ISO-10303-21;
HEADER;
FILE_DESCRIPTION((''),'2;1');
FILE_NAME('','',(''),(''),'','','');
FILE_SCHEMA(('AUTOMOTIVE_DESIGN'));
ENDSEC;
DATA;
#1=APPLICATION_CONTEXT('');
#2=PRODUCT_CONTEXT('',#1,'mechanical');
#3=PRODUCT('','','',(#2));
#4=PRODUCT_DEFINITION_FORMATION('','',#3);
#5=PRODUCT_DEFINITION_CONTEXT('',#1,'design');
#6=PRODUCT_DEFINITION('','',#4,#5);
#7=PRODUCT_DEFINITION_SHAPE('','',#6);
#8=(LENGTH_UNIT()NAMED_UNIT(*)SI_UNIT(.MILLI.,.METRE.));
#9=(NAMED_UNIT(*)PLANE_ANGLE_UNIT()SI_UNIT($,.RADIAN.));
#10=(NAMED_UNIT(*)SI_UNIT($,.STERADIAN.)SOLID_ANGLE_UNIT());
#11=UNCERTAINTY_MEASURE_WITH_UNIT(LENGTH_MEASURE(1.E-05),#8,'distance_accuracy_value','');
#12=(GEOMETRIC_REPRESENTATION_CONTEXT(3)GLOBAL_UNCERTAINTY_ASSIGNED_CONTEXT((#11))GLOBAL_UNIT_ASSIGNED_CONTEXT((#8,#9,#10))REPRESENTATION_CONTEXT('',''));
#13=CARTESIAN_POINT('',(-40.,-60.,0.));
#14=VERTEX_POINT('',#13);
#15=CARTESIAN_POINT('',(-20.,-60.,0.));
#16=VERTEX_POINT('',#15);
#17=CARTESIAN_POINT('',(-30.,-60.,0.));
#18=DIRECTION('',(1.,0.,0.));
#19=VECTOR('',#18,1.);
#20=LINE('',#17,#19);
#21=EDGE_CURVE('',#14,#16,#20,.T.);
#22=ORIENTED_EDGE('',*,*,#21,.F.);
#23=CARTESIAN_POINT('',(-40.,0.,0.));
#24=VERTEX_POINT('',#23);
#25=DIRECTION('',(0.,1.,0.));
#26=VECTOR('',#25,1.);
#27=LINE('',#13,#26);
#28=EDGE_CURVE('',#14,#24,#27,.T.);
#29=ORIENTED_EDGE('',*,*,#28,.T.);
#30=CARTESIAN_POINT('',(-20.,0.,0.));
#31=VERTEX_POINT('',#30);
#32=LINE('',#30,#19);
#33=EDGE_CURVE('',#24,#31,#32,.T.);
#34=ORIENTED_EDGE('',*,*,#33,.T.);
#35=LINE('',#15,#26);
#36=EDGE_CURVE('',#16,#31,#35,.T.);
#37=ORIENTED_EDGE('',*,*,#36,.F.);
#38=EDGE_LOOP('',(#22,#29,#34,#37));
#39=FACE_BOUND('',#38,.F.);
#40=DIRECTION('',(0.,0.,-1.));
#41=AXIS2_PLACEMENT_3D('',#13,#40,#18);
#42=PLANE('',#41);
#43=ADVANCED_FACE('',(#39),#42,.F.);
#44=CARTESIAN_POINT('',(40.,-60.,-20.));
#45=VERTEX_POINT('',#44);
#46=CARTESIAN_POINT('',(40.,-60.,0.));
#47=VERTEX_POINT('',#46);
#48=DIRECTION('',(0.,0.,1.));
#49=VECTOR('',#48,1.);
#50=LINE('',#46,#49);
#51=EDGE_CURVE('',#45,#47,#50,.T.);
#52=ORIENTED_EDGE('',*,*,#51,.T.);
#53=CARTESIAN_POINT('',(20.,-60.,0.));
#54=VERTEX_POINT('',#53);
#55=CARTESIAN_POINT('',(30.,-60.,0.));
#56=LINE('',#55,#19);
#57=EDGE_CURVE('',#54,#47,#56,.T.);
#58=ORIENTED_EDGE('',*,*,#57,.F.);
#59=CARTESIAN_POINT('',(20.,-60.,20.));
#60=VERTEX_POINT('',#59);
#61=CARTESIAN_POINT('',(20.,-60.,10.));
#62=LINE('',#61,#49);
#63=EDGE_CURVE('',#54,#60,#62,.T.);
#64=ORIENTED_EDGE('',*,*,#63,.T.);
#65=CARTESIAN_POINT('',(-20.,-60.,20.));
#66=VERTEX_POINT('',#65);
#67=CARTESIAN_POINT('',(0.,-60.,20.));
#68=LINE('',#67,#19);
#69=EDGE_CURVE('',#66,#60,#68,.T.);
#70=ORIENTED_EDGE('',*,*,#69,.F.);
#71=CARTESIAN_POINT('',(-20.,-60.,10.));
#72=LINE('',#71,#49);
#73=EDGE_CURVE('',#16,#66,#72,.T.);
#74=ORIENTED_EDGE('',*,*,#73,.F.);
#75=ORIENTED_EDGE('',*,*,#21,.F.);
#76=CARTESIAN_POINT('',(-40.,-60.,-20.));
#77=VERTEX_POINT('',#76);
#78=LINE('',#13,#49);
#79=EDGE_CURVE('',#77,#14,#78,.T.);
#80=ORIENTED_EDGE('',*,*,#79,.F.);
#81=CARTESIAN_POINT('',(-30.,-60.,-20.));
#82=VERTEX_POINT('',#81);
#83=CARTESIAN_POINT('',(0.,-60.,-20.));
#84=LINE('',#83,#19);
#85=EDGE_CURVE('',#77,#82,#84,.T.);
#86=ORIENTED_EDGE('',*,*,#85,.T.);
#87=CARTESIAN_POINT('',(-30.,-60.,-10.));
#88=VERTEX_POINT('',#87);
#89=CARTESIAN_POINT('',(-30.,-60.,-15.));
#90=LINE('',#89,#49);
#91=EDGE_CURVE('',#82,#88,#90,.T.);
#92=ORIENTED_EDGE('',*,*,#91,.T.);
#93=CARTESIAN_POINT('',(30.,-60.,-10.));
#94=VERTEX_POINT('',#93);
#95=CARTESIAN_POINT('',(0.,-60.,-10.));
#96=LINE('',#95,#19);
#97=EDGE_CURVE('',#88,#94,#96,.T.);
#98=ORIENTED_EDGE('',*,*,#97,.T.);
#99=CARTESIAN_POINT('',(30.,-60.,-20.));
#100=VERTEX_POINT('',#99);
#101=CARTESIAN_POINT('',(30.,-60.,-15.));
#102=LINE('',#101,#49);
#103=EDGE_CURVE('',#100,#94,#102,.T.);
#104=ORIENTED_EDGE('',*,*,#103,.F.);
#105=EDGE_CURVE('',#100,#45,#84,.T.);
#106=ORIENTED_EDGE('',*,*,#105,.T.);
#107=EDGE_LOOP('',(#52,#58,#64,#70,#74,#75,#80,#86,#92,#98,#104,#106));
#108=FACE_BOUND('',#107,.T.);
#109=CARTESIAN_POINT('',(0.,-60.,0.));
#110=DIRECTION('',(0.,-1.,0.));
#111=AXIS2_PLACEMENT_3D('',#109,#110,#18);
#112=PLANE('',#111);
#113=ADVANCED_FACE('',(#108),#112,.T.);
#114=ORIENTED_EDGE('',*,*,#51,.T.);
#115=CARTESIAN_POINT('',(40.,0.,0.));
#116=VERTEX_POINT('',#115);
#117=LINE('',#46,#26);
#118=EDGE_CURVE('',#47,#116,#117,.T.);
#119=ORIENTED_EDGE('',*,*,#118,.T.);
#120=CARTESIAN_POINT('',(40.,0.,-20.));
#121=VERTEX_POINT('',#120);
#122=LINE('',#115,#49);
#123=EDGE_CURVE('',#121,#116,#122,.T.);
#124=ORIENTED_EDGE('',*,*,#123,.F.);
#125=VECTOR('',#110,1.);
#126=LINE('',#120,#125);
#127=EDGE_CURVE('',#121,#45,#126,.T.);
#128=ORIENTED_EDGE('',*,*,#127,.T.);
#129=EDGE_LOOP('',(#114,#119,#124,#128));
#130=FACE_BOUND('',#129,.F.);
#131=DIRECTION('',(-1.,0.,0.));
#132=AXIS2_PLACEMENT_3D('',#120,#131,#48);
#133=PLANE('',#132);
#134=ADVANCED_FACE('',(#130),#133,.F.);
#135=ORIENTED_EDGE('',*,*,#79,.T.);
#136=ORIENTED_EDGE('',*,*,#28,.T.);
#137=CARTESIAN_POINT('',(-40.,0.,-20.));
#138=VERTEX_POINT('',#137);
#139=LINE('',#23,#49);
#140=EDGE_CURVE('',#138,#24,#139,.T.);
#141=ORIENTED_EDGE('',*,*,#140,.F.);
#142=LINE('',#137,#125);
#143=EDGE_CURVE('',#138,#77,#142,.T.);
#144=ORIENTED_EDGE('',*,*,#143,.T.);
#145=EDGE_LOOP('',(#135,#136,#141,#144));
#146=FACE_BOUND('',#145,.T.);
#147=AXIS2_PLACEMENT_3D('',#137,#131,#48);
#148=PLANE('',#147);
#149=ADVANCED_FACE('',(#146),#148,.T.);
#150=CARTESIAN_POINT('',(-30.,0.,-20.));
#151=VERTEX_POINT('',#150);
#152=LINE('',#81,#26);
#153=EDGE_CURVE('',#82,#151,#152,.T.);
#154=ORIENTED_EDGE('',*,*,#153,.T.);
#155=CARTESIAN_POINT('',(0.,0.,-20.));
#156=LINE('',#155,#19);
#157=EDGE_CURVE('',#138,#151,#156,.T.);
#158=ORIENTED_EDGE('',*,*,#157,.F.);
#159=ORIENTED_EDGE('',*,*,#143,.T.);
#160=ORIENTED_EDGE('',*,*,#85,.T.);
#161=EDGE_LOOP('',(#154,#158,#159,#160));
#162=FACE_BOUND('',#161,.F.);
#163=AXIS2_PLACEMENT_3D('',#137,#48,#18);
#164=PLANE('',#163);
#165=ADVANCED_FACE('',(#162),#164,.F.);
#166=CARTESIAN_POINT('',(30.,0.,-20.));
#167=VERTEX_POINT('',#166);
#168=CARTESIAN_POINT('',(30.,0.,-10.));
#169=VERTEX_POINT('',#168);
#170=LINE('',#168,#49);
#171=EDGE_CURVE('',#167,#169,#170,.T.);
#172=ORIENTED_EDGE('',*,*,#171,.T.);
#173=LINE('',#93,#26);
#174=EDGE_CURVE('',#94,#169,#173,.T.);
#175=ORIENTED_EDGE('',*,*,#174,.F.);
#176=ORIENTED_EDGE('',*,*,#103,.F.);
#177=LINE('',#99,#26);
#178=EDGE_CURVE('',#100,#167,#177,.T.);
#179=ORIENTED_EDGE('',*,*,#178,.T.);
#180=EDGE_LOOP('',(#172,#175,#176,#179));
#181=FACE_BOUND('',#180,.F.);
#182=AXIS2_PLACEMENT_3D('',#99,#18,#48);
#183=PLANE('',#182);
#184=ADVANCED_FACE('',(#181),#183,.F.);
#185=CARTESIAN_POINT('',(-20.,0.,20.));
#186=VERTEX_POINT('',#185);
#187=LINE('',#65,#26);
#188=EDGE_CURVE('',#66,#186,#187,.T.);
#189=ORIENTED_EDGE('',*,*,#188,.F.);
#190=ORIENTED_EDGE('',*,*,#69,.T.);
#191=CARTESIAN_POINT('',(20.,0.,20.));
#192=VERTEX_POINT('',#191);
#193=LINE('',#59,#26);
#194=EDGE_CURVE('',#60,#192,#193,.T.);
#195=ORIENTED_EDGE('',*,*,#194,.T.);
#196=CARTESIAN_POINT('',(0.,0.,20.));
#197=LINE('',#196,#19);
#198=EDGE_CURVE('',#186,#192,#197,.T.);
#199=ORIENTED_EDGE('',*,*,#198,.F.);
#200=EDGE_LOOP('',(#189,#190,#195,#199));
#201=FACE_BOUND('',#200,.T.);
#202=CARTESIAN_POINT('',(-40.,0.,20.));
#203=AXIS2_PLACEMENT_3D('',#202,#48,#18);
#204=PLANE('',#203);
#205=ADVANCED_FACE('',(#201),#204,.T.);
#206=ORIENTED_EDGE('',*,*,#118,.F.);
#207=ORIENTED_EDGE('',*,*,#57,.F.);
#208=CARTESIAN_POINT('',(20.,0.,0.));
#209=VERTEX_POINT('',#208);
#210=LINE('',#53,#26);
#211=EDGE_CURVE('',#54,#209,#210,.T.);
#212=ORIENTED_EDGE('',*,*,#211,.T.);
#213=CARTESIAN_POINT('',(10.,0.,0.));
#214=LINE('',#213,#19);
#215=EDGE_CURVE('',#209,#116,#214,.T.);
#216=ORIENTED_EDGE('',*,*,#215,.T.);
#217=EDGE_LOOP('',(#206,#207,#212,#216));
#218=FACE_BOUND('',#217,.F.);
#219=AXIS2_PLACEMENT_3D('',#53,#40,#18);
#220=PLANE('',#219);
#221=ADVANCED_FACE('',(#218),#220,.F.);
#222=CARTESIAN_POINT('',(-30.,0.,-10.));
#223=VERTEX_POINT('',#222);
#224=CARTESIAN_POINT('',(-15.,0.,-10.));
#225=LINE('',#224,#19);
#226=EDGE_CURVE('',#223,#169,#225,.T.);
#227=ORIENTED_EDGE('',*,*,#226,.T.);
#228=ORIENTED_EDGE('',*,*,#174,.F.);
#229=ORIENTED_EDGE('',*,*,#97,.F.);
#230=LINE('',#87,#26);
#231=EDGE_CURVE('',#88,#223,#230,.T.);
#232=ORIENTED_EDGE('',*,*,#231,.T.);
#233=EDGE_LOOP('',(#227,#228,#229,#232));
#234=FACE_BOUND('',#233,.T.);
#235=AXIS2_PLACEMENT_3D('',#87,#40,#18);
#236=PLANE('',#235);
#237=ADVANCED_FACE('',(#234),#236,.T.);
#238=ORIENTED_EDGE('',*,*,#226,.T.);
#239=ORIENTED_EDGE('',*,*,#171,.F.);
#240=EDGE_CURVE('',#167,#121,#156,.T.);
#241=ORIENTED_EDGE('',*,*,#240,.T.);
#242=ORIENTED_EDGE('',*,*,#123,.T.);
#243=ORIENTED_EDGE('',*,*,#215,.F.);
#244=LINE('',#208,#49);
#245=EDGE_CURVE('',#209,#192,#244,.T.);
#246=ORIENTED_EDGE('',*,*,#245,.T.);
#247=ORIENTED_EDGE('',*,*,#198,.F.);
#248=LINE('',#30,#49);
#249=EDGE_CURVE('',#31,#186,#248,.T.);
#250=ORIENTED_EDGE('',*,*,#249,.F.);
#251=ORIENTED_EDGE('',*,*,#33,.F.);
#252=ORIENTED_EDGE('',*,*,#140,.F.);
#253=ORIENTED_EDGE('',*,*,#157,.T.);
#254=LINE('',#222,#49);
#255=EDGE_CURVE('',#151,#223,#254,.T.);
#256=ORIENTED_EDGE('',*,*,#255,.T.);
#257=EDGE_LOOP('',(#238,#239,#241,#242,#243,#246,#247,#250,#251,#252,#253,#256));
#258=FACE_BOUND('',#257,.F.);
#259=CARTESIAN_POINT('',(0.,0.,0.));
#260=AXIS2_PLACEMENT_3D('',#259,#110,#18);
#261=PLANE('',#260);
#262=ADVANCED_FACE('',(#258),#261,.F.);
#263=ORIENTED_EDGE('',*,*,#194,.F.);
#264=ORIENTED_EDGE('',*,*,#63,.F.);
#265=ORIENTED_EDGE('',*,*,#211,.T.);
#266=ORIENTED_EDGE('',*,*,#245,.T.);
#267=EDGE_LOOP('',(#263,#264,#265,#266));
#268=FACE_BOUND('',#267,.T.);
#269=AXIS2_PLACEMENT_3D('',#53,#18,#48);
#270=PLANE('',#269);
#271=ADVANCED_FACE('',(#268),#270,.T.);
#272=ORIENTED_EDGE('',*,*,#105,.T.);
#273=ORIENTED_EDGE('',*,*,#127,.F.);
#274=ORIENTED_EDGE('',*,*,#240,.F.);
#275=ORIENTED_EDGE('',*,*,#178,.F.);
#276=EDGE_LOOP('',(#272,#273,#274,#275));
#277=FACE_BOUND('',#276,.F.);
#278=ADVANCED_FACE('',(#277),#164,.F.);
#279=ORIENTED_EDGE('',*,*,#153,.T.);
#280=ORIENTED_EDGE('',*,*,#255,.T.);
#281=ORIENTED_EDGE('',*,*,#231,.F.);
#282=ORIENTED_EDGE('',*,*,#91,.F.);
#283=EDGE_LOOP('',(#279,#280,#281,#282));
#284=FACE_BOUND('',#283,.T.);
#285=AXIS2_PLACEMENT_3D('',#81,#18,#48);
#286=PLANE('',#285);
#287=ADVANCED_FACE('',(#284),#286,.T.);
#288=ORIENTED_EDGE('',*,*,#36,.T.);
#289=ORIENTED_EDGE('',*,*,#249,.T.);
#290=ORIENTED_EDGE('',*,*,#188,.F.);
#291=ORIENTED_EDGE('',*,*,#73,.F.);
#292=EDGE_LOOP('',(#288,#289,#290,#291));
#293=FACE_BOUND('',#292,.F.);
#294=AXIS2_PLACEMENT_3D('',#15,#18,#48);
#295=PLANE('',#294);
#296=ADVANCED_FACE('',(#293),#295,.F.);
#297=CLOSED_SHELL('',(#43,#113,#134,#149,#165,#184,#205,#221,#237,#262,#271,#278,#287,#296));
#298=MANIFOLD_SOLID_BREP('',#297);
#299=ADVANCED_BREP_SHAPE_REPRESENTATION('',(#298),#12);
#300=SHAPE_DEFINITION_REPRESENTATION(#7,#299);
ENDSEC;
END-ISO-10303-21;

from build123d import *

# Parameters (mm, degrees)
F0_W     = 80
F0_H     = 40
F1_DEPTH = 60
F2_W     = 20
F2_H     = 20
F3_DEPTH = 60.001
F2_W_2   = 60
F2_H_2   = 10
F4_DEPTH = 60.001


with BuildPart() as f1:
    # F0 (on Front) → F1 (new body)
    with BuildSketch(Plane.XZ):
        Rectangle(F0_W, F0_H)
    extrude(amount=F1_DEPTH)

    # F2 (on face) → F3 (cut, through all)
    with BuildSketch(Plane.XZ.offset(60)):
        with Locations((30, 10)):
            Rectangle(F2_W, F2_H)
        with Locations((-30, 10)):
            Rectangle(F2_W, F2_H)
    extrude(amount=-F3_DEPTH, mode=Mode.SUBTRACT)

    # F2 (on face) → F4 (cut, through all)
    with BuildSketch(Plane.XZ.offset(60)):
        with Locations((0, -15)):
            Rectangle(F2_W_2, F2_H_2)
    extrude(amount=-F4_DEPTH, mode=Mode.SUBTRACT)


solid = f1.part
